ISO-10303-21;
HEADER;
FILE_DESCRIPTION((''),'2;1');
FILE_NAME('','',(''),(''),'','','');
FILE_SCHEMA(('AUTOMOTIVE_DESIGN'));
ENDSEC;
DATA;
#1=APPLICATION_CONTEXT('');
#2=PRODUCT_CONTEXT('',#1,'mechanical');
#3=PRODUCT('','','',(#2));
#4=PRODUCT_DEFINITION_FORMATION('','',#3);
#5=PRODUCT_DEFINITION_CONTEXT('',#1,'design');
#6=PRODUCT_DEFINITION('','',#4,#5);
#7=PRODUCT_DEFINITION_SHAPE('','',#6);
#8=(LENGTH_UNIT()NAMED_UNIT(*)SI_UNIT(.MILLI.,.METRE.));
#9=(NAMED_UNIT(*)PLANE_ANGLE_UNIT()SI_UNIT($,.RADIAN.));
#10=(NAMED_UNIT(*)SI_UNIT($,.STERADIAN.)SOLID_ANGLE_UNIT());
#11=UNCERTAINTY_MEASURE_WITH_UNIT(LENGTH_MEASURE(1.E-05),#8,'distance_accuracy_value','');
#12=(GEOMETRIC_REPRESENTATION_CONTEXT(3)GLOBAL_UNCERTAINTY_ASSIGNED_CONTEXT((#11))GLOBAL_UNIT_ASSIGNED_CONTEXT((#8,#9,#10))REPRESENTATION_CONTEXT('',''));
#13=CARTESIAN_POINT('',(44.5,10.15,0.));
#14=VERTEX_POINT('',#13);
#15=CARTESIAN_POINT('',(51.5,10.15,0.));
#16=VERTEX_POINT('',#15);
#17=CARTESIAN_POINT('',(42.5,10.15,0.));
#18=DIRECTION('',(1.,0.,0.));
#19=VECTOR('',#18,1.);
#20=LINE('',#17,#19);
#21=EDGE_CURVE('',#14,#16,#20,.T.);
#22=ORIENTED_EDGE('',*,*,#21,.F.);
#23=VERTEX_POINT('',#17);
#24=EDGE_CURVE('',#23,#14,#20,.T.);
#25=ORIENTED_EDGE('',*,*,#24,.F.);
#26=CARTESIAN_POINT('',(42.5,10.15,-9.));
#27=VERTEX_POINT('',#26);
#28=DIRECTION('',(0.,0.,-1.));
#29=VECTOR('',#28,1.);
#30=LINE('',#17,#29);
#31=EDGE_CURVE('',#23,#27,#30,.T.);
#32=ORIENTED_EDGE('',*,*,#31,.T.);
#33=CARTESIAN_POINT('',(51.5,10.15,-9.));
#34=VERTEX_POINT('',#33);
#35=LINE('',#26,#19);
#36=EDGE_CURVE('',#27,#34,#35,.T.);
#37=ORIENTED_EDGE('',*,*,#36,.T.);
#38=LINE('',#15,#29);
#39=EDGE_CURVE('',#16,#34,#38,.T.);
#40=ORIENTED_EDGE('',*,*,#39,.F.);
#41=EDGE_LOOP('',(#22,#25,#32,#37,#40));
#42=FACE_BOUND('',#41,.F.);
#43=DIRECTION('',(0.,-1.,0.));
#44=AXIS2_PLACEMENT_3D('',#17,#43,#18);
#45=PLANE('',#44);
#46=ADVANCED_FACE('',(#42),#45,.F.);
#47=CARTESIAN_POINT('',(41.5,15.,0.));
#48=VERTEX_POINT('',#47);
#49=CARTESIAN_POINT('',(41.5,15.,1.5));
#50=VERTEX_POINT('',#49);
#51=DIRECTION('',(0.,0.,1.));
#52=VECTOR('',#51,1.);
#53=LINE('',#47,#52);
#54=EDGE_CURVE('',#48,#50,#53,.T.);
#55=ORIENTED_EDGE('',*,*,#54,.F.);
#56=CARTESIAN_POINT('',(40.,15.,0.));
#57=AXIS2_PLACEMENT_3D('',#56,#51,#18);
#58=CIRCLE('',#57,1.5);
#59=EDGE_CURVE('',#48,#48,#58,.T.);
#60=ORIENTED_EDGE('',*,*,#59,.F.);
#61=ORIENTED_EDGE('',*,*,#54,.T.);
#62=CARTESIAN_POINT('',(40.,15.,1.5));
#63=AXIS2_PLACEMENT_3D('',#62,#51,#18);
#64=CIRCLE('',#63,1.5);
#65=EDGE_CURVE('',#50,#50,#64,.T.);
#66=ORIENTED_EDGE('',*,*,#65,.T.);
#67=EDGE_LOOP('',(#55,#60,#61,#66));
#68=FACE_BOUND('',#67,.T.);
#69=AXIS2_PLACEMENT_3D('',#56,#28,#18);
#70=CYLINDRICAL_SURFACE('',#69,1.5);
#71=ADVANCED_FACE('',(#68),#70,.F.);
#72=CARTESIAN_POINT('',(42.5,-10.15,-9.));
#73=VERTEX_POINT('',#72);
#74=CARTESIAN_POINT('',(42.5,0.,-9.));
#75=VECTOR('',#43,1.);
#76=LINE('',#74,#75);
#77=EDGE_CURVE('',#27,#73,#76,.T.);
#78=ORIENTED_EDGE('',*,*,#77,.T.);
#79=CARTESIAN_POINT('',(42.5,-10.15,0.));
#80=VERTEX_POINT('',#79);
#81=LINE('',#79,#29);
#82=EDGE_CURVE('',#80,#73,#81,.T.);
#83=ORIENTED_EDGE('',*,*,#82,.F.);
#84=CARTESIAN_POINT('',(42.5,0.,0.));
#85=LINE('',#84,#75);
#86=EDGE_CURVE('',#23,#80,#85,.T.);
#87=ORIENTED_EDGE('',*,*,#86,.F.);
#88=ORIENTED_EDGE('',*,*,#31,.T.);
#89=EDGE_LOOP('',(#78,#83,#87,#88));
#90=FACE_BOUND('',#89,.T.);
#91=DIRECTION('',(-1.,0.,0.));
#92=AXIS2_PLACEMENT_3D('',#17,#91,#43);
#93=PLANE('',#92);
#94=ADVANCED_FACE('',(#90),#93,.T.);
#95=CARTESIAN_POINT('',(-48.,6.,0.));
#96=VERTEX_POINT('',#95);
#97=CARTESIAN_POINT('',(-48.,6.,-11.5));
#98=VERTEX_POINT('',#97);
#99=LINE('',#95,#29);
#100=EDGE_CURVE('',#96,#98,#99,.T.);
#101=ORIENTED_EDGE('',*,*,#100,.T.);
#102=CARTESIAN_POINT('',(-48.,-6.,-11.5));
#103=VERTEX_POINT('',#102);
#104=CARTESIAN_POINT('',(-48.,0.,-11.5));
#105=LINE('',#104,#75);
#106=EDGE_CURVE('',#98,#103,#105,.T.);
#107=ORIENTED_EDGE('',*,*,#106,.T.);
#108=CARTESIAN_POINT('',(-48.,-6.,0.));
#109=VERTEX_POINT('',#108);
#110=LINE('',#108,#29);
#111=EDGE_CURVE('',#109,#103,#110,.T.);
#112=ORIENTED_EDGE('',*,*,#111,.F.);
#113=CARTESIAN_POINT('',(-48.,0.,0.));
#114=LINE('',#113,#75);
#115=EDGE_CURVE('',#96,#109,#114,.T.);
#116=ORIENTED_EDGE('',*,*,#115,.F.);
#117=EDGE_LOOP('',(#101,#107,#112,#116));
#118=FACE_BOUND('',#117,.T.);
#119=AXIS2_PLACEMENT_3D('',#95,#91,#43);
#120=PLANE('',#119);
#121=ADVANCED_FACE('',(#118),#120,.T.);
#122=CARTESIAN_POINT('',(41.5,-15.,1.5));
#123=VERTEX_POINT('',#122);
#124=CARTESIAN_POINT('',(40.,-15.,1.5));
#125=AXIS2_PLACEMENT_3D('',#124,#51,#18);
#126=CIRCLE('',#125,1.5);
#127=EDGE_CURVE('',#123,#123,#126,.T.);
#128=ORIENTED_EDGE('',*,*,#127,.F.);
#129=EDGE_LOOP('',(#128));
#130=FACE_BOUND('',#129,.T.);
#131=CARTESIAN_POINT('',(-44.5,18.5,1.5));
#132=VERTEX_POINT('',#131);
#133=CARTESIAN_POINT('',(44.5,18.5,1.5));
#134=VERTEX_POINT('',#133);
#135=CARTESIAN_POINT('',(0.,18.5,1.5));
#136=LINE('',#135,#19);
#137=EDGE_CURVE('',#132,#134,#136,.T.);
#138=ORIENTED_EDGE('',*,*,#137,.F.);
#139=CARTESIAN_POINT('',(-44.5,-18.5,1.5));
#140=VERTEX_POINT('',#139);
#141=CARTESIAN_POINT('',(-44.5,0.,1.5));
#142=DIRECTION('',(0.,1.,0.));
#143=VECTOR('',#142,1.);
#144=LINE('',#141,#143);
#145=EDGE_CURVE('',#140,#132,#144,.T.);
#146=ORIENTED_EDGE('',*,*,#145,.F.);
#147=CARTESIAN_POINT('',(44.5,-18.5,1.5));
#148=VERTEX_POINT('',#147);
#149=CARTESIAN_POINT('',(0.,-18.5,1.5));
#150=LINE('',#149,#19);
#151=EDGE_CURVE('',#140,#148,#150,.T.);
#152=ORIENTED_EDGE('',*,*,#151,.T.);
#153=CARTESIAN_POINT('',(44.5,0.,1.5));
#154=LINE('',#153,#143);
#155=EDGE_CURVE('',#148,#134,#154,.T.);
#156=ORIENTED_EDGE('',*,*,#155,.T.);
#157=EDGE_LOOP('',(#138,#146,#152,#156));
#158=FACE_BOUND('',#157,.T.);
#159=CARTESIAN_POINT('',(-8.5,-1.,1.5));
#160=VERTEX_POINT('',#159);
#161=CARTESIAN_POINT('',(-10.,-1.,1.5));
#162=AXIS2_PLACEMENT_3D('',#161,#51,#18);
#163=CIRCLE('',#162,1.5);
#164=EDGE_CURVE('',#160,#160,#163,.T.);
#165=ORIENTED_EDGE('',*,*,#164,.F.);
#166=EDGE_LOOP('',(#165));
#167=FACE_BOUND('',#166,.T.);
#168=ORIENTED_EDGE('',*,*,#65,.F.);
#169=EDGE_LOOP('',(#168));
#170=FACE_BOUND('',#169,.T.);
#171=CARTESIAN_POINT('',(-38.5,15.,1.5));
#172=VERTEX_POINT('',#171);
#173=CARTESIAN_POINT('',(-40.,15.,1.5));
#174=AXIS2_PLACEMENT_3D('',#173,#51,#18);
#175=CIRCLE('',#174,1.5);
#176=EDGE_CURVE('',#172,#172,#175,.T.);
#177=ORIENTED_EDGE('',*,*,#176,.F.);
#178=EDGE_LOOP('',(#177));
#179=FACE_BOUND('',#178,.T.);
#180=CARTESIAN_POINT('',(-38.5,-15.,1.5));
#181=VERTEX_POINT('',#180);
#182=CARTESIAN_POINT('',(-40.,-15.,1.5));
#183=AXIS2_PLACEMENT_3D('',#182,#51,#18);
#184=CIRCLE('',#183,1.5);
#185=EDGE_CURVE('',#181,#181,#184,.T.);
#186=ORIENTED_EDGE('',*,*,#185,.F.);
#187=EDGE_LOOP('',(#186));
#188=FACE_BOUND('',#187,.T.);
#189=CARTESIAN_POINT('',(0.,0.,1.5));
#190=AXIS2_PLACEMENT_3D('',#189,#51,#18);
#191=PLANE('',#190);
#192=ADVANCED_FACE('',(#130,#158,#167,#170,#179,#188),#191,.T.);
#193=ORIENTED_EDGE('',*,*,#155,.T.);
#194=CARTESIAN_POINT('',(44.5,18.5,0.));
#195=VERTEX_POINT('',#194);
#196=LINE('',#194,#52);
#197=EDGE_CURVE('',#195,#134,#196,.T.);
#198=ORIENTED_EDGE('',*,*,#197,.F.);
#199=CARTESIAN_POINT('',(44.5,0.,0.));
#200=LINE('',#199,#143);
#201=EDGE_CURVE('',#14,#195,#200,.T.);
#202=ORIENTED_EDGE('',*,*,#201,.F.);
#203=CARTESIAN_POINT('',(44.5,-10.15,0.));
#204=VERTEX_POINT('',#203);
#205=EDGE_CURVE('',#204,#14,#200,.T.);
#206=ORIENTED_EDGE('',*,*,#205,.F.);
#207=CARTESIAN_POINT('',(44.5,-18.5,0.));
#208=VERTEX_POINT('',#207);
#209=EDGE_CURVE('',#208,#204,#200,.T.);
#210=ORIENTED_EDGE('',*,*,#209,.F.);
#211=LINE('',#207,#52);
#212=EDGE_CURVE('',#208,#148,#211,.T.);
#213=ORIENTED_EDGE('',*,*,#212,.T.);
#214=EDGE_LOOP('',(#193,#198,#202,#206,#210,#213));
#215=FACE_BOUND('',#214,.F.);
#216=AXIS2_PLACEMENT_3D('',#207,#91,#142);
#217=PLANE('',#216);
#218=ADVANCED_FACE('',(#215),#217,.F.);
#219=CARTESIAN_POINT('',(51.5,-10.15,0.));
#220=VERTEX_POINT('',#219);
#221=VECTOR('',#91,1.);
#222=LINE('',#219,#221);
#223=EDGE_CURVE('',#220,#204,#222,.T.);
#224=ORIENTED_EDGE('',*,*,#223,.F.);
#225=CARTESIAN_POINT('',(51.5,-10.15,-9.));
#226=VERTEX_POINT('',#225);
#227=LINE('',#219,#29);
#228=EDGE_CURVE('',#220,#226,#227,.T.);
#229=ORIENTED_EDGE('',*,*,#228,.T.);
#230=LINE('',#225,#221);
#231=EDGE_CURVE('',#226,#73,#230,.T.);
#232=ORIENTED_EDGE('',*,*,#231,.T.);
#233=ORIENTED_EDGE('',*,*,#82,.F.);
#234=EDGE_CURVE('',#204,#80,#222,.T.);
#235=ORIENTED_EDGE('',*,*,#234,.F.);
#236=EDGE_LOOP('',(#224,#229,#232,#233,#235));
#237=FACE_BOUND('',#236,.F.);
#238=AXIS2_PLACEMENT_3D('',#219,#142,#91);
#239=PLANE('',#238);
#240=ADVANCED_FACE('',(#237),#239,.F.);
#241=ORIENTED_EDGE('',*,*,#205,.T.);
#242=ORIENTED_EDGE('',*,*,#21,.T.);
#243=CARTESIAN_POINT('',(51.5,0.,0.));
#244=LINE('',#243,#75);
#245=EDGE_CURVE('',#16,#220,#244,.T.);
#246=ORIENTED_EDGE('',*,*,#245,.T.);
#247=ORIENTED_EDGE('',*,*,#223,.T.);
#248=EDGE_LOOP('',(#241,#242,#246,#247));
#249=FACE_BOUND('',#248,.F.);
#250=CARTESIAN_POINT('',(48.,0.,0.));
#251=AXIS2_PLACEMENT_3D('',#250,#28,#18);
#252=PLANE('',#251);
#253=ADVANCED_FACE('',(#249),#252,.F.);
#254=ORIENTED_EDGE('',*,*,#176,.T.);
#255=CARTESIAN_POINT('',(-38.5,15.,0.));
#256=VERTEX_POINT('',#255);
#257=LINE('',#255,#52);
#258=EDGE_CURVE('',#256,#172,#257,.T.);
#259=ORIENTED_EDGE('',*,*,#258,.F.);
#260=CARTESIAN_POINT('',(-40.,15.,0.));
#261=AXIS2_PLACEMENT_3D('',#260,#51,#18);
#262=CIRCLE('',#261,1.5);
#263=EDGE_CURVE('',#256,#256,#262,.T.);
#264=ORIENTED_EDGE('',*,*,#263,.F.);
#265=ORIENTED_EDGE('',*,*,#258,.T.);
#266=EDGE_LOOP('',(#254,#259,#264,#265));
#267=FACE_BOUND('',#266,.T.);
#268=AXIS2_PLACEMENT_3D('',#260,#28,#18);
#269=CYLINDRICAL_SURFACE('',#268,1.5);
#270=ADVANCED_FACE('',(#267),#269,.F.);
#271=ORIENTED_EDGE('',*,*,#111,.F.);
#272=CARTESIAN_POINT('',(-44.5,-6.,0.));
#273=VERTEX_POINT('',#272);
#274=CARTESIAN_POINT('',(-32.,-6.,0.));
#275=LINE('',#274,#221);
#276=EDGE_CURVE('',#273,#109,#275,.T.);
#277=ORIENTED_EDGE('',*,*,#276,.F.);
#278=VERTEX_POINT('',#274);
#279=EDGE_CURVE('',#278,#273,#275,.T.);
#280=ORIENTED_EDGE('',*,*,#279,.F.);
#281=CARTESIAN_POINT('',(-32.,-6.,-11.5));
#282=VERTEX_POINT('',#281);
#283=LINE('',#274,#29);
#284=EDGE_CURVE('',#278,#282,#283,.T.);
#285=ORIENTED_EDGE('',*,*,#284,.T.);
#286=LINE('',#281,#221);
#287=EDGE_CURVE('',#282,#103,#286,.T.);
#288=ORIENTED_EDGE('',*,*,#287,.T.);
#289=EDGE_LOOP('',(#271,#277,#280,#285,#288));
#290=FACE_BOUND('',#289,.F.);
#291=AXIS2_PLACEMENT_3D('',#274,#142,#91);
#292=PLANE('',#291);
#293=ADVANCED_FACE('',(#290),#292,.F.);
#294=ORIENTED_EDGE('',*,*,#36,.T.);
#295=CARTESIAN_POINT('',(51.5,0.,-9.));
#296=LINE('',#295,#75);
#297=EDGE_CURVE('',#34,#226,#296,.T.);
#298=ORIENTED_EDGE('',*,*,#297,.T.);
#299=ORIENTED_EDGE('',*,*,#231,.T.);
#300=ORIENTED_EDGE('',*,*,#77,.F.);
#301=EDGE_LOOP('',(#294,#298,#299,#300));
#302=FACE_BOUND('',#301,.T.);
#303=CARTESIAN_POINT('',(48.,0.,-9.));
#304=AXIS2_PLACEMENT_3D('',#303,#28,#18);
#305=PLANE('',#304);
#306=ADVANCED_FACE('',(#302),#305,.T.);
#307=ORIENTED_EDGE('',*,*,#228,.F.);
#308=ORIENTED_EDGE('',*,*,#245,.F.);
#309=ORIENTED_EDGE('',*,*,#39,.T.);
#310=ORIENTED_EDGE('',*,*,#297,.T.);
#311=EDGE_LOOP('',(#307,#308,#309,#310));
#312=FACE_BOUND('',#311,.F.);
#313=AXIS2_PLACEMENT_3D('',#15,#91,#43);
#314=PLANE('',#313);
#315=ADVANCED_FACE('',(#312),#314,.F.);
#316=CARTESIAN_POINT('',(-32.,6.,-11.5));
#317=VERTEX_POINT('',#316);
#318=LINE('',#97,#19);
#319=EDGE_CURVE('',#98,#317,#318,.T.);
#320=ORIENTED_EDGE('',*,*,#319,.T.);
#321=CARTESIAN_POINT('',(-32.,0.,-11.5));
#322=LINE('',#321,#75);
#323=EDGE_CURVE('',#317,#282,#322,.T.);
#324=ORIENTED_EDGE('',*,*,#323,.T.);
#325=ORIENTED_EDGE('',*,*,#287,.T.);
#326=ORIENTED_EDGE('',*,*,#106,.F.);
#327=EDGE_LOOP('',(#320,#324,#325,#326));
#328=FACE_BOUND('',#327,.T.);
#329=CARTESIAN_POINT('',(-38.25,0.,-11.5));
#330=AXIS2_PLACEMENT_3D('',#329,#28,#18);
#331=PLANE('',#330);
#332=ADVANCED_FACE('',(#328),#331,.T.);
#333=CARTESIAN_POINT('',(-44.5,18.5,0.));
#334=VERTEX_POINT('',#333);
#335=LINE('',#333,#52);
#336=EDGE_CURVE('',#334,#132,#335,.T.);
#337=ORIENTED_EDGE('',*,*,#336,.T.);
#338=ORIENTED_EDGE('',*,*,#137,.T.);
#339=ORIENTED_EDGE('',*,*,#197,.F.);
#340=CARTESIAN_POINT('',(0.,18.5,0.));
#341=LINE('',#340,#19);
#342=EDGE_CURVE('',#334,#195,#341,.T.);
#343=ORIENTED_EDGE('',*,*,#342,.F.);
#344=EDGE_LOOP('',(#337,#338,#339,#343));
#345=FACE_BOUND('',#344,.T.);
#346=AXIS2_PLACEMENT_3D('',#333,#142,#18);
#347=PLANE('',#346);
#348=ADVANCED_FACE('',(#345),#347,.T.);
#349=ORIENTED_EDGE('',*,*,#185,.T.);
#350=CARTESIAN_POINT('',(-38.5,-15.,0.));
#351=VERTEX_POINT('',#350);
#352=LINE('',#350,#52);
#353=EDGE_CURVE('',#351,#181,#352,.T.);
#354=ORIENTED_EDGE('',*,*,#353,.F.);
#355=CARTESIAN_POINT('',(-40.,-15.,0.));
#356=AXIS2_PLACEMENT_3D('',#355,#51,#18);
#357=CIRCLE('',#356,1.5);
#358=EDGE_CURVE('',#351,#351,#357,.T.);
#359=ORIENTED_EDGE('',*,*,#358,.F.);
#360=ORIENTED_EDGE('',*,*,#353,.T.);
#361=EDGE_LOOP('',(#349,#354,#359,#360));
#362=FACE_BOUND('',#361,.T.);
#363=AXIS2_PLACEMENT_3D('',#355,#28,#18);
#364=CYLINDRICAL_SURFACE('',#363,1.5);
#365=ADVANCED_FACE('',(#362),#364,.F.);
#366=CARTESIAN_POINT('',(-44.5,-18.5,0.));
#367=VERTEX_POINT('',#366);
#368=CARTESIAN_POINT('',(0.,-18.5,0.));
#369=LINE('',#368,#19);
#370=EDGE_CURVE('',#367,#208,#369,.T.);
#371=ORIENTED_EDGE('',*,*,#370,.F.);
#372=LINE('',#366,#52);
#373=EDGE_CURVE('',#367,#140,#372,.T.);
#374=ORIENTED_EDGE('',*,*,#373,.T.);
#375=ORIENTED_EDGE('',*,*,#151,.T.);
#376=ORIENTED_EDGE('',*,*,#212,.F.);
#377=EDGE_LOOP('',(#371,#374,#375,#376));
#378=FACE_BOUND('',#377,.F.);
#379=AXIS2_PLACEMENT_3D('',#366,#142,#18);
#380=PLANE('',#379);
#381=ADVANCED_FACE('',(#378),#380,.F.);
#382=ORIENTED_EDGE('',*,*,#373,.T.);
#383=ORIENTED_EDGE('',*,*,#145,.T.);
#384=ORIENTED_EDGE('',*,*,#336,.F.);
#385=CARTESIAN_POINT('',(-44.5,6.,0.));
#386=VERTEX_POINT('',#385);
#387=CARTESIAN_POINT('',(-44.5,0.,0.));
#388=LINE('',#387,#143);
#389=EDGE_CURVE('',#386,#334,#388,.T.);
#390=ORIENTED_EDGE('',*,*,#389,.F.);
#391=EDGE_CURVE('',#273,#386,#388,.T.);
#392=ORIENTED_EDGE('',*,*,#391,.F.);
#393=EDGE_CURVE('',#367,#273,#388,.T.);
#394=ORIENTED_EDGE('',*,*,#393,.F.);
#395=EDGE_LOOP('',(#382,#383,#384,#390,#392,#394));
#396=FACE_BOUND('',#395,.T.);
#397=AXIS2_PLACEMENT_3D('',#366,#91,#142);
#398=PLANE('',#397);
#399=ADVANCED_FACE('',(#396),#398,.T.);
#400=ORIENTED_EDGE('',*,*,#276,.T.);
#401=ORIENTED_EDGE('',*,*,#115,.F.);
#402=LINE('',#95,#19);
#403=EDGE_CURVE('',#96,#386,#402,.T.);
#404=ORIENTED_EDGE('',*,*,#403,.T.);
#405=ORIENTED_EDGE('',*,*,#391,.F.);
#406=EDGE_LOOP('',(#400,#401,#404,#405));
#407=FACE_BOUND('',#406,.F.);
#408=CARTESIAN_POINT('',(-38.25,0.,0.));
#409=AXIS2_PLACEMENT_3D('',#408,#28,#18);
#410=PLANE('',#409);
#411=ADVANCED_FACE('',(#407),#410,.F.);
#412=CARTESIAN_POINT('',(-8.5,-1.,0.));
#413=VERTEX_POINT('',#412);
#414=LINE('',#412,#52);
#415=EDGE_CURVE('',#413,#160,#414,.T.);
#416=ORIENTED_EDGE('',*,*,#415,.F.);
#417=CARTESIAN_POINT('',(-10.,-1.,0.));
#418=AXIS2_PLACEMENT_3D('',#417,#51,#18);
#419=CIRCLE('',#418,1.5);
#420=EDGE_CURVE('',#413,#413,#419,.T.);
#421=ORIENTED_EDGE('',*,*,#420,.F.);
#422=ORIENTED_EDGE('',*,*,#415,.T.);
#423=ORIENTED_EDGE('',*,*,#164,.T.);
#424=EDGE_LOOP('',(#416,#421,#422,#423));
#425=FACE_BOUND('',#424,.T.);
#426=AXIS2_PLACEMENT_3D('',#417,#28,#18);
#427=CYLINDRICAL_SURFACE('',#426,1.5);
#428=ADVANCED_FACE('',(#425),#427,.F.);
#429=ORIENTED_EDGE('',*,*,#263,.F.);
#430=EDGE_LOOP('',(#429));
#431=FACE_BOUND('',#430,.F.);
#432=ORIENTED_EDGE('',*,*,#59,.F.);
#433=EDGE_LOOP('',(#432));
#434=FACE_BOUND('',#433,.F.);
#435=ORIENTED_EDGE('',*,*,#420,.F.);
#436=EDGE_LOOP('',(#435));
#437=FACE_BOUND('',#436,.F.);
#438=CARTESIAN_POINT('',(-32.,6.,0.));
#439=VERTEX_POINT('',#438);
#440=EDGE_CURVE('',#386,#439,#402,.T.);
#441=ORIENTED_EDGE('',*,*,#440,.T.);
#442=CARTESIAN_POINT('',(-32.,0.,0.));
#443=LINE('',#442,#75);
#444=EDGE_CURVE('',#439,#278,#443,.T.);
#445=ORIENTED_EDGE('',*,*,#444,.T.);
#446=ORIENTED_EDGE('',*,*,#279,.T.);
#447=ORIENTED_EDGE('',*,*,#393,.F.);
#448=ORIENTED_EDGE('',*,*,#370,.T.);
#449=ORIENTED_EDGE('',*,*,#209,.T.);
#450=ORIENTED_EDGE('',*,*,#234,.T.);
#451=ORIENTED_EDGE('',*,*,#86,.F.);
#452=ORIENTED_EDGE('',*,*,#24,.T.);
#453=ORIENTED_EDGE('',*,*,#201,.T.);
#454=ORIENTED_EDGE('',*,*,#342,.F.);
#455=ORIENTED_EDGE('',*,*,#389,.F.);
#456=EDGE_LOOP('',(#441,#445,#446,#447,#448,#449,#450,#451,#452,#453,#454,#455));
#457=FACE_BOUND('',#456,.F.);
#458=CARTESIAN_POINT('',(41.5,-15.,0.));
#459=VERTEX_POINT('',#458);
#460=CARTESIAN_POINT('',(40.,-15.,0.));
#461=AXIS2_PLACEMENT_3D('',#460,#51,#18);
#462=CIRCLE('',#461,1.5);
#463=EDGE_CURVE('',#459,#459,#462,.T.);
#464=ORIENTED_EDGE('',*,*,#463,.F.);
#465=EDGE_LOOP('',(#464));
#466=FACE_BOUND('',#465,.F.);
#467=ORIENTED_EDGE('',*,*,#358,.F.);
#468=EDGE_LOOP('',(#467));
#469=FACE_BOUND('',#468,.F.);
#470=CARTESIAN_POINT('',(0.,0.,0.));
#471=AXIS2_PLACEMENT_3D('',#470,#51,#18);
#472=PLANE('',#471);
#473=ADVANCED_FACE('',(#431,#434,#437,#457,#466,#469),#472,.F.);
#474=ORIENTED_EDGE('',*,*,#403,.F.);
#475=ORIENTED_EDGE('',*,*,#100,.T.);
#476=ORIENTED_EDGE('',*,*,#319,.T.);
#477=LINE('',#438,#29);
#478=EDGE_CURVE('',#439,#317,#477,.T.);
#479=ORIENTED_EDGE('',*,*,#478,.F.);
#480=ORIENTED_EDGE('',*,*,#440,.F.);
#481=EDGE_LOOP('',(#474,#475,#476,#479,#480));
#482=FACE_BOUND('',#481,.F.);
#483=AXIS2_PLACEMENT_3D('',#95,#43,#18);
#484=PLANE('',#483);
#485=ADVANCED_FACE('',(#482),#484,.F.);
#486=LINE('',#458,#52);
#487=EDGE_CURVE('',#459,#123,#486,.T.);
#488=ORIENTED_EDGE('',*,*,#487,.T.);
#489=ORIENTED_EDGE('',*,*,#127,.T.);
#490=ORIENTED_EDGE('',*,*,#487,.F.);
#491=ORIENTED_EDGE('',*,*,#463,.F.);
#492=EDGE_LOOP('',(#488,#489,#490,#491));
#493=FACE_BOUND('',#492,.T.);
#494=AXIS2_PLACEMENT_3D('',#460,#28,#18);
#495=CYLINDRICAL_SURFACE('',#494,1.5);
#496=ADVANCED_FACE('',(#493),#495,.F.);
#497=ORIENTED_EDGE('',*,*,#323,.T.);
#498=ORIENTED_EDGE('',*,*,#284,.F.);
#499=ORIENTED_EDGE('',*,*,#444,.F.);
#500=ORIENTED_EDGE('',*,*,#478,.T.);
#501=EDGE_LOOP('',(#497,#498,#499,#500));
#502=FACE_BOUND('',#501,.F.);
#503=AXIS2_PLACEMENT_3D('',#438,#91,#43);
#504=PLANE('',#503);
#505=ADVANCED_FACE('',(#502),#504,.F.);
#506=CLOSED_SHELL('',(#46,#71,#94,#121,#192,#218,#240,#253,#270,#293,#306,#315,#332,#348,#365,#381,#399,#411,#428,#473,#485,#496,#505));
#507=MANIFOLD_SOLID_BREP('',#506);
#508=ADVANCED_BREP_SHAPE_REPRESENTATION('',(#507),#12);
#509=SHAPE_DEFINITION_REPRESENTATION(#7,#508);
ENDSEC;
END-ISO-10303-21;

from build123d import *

# Parameters (mm, degrees)
F0_W     = 89
F0_H     = 37
F0_R     = 1.5
F1_DEPTH = 1.5
F2_W     = 12.5
F2_H     = 12
F2_W_2   = 3.5
F3_DEPTH = 11.5
F2_W_3   = 7
F2_H_2   = 20.3
F2_W_4   = 2
F4_DEPTH = 9


with BuildPart() as f1:
    # F0 (on Top) → F1 (new body)
    with BuildSketch(Plane.XY):
        Rectangle(F0_W, F0_H)
        with Locations((-40, -15)):
            Circle(F0_R, mode=Mode.SUBTRACT)
        with Locations((-10, -1)):
            Circle(F0_R, mode=Mode.SUBTRACT)
        with Locations((40, -15)):
            Circle(F0_R, mode=Mode.SUBTRACT)
        with Locations((-40, 15)):
            Circle(F0_R, mode=Mode.SUBTRACT)
        with Locations((40, 15)):
            Circle(F0_R, mode=Mode.SUBTRACT)
    extrude(amount=F1_DEPTH)

    # F2 (on face) → F3 (join)
    with BuildSketch(Plane(origin=(0, 0, 0), x_dir=(1, 0, 0), z_dir=(0, 0, -1))):
        with Locations((-38.25, 0)):
            Rectangle(F2_W, F2_H)
        with Locations((-46.25, 0)):
            Rectangle(F2_W_2, F2_H)
    extrude(amount=F3_DEPTH)

    # F2 (on face) → F4 (join)
    with BuildSketch(Plane(origin=(0, 0, 0), x_dir=(1, 0, 0), z_dir=(0, 0, -1))):
        with Locations((48, 0)):
            Rectangle(F2_W_3, F2_H_2)
        with Locations((43.5, 0)):
            Rectangle(F2_W_4, F2_H_2)
    extrude(amount=F4_DEPTH)


solid = f1.part
